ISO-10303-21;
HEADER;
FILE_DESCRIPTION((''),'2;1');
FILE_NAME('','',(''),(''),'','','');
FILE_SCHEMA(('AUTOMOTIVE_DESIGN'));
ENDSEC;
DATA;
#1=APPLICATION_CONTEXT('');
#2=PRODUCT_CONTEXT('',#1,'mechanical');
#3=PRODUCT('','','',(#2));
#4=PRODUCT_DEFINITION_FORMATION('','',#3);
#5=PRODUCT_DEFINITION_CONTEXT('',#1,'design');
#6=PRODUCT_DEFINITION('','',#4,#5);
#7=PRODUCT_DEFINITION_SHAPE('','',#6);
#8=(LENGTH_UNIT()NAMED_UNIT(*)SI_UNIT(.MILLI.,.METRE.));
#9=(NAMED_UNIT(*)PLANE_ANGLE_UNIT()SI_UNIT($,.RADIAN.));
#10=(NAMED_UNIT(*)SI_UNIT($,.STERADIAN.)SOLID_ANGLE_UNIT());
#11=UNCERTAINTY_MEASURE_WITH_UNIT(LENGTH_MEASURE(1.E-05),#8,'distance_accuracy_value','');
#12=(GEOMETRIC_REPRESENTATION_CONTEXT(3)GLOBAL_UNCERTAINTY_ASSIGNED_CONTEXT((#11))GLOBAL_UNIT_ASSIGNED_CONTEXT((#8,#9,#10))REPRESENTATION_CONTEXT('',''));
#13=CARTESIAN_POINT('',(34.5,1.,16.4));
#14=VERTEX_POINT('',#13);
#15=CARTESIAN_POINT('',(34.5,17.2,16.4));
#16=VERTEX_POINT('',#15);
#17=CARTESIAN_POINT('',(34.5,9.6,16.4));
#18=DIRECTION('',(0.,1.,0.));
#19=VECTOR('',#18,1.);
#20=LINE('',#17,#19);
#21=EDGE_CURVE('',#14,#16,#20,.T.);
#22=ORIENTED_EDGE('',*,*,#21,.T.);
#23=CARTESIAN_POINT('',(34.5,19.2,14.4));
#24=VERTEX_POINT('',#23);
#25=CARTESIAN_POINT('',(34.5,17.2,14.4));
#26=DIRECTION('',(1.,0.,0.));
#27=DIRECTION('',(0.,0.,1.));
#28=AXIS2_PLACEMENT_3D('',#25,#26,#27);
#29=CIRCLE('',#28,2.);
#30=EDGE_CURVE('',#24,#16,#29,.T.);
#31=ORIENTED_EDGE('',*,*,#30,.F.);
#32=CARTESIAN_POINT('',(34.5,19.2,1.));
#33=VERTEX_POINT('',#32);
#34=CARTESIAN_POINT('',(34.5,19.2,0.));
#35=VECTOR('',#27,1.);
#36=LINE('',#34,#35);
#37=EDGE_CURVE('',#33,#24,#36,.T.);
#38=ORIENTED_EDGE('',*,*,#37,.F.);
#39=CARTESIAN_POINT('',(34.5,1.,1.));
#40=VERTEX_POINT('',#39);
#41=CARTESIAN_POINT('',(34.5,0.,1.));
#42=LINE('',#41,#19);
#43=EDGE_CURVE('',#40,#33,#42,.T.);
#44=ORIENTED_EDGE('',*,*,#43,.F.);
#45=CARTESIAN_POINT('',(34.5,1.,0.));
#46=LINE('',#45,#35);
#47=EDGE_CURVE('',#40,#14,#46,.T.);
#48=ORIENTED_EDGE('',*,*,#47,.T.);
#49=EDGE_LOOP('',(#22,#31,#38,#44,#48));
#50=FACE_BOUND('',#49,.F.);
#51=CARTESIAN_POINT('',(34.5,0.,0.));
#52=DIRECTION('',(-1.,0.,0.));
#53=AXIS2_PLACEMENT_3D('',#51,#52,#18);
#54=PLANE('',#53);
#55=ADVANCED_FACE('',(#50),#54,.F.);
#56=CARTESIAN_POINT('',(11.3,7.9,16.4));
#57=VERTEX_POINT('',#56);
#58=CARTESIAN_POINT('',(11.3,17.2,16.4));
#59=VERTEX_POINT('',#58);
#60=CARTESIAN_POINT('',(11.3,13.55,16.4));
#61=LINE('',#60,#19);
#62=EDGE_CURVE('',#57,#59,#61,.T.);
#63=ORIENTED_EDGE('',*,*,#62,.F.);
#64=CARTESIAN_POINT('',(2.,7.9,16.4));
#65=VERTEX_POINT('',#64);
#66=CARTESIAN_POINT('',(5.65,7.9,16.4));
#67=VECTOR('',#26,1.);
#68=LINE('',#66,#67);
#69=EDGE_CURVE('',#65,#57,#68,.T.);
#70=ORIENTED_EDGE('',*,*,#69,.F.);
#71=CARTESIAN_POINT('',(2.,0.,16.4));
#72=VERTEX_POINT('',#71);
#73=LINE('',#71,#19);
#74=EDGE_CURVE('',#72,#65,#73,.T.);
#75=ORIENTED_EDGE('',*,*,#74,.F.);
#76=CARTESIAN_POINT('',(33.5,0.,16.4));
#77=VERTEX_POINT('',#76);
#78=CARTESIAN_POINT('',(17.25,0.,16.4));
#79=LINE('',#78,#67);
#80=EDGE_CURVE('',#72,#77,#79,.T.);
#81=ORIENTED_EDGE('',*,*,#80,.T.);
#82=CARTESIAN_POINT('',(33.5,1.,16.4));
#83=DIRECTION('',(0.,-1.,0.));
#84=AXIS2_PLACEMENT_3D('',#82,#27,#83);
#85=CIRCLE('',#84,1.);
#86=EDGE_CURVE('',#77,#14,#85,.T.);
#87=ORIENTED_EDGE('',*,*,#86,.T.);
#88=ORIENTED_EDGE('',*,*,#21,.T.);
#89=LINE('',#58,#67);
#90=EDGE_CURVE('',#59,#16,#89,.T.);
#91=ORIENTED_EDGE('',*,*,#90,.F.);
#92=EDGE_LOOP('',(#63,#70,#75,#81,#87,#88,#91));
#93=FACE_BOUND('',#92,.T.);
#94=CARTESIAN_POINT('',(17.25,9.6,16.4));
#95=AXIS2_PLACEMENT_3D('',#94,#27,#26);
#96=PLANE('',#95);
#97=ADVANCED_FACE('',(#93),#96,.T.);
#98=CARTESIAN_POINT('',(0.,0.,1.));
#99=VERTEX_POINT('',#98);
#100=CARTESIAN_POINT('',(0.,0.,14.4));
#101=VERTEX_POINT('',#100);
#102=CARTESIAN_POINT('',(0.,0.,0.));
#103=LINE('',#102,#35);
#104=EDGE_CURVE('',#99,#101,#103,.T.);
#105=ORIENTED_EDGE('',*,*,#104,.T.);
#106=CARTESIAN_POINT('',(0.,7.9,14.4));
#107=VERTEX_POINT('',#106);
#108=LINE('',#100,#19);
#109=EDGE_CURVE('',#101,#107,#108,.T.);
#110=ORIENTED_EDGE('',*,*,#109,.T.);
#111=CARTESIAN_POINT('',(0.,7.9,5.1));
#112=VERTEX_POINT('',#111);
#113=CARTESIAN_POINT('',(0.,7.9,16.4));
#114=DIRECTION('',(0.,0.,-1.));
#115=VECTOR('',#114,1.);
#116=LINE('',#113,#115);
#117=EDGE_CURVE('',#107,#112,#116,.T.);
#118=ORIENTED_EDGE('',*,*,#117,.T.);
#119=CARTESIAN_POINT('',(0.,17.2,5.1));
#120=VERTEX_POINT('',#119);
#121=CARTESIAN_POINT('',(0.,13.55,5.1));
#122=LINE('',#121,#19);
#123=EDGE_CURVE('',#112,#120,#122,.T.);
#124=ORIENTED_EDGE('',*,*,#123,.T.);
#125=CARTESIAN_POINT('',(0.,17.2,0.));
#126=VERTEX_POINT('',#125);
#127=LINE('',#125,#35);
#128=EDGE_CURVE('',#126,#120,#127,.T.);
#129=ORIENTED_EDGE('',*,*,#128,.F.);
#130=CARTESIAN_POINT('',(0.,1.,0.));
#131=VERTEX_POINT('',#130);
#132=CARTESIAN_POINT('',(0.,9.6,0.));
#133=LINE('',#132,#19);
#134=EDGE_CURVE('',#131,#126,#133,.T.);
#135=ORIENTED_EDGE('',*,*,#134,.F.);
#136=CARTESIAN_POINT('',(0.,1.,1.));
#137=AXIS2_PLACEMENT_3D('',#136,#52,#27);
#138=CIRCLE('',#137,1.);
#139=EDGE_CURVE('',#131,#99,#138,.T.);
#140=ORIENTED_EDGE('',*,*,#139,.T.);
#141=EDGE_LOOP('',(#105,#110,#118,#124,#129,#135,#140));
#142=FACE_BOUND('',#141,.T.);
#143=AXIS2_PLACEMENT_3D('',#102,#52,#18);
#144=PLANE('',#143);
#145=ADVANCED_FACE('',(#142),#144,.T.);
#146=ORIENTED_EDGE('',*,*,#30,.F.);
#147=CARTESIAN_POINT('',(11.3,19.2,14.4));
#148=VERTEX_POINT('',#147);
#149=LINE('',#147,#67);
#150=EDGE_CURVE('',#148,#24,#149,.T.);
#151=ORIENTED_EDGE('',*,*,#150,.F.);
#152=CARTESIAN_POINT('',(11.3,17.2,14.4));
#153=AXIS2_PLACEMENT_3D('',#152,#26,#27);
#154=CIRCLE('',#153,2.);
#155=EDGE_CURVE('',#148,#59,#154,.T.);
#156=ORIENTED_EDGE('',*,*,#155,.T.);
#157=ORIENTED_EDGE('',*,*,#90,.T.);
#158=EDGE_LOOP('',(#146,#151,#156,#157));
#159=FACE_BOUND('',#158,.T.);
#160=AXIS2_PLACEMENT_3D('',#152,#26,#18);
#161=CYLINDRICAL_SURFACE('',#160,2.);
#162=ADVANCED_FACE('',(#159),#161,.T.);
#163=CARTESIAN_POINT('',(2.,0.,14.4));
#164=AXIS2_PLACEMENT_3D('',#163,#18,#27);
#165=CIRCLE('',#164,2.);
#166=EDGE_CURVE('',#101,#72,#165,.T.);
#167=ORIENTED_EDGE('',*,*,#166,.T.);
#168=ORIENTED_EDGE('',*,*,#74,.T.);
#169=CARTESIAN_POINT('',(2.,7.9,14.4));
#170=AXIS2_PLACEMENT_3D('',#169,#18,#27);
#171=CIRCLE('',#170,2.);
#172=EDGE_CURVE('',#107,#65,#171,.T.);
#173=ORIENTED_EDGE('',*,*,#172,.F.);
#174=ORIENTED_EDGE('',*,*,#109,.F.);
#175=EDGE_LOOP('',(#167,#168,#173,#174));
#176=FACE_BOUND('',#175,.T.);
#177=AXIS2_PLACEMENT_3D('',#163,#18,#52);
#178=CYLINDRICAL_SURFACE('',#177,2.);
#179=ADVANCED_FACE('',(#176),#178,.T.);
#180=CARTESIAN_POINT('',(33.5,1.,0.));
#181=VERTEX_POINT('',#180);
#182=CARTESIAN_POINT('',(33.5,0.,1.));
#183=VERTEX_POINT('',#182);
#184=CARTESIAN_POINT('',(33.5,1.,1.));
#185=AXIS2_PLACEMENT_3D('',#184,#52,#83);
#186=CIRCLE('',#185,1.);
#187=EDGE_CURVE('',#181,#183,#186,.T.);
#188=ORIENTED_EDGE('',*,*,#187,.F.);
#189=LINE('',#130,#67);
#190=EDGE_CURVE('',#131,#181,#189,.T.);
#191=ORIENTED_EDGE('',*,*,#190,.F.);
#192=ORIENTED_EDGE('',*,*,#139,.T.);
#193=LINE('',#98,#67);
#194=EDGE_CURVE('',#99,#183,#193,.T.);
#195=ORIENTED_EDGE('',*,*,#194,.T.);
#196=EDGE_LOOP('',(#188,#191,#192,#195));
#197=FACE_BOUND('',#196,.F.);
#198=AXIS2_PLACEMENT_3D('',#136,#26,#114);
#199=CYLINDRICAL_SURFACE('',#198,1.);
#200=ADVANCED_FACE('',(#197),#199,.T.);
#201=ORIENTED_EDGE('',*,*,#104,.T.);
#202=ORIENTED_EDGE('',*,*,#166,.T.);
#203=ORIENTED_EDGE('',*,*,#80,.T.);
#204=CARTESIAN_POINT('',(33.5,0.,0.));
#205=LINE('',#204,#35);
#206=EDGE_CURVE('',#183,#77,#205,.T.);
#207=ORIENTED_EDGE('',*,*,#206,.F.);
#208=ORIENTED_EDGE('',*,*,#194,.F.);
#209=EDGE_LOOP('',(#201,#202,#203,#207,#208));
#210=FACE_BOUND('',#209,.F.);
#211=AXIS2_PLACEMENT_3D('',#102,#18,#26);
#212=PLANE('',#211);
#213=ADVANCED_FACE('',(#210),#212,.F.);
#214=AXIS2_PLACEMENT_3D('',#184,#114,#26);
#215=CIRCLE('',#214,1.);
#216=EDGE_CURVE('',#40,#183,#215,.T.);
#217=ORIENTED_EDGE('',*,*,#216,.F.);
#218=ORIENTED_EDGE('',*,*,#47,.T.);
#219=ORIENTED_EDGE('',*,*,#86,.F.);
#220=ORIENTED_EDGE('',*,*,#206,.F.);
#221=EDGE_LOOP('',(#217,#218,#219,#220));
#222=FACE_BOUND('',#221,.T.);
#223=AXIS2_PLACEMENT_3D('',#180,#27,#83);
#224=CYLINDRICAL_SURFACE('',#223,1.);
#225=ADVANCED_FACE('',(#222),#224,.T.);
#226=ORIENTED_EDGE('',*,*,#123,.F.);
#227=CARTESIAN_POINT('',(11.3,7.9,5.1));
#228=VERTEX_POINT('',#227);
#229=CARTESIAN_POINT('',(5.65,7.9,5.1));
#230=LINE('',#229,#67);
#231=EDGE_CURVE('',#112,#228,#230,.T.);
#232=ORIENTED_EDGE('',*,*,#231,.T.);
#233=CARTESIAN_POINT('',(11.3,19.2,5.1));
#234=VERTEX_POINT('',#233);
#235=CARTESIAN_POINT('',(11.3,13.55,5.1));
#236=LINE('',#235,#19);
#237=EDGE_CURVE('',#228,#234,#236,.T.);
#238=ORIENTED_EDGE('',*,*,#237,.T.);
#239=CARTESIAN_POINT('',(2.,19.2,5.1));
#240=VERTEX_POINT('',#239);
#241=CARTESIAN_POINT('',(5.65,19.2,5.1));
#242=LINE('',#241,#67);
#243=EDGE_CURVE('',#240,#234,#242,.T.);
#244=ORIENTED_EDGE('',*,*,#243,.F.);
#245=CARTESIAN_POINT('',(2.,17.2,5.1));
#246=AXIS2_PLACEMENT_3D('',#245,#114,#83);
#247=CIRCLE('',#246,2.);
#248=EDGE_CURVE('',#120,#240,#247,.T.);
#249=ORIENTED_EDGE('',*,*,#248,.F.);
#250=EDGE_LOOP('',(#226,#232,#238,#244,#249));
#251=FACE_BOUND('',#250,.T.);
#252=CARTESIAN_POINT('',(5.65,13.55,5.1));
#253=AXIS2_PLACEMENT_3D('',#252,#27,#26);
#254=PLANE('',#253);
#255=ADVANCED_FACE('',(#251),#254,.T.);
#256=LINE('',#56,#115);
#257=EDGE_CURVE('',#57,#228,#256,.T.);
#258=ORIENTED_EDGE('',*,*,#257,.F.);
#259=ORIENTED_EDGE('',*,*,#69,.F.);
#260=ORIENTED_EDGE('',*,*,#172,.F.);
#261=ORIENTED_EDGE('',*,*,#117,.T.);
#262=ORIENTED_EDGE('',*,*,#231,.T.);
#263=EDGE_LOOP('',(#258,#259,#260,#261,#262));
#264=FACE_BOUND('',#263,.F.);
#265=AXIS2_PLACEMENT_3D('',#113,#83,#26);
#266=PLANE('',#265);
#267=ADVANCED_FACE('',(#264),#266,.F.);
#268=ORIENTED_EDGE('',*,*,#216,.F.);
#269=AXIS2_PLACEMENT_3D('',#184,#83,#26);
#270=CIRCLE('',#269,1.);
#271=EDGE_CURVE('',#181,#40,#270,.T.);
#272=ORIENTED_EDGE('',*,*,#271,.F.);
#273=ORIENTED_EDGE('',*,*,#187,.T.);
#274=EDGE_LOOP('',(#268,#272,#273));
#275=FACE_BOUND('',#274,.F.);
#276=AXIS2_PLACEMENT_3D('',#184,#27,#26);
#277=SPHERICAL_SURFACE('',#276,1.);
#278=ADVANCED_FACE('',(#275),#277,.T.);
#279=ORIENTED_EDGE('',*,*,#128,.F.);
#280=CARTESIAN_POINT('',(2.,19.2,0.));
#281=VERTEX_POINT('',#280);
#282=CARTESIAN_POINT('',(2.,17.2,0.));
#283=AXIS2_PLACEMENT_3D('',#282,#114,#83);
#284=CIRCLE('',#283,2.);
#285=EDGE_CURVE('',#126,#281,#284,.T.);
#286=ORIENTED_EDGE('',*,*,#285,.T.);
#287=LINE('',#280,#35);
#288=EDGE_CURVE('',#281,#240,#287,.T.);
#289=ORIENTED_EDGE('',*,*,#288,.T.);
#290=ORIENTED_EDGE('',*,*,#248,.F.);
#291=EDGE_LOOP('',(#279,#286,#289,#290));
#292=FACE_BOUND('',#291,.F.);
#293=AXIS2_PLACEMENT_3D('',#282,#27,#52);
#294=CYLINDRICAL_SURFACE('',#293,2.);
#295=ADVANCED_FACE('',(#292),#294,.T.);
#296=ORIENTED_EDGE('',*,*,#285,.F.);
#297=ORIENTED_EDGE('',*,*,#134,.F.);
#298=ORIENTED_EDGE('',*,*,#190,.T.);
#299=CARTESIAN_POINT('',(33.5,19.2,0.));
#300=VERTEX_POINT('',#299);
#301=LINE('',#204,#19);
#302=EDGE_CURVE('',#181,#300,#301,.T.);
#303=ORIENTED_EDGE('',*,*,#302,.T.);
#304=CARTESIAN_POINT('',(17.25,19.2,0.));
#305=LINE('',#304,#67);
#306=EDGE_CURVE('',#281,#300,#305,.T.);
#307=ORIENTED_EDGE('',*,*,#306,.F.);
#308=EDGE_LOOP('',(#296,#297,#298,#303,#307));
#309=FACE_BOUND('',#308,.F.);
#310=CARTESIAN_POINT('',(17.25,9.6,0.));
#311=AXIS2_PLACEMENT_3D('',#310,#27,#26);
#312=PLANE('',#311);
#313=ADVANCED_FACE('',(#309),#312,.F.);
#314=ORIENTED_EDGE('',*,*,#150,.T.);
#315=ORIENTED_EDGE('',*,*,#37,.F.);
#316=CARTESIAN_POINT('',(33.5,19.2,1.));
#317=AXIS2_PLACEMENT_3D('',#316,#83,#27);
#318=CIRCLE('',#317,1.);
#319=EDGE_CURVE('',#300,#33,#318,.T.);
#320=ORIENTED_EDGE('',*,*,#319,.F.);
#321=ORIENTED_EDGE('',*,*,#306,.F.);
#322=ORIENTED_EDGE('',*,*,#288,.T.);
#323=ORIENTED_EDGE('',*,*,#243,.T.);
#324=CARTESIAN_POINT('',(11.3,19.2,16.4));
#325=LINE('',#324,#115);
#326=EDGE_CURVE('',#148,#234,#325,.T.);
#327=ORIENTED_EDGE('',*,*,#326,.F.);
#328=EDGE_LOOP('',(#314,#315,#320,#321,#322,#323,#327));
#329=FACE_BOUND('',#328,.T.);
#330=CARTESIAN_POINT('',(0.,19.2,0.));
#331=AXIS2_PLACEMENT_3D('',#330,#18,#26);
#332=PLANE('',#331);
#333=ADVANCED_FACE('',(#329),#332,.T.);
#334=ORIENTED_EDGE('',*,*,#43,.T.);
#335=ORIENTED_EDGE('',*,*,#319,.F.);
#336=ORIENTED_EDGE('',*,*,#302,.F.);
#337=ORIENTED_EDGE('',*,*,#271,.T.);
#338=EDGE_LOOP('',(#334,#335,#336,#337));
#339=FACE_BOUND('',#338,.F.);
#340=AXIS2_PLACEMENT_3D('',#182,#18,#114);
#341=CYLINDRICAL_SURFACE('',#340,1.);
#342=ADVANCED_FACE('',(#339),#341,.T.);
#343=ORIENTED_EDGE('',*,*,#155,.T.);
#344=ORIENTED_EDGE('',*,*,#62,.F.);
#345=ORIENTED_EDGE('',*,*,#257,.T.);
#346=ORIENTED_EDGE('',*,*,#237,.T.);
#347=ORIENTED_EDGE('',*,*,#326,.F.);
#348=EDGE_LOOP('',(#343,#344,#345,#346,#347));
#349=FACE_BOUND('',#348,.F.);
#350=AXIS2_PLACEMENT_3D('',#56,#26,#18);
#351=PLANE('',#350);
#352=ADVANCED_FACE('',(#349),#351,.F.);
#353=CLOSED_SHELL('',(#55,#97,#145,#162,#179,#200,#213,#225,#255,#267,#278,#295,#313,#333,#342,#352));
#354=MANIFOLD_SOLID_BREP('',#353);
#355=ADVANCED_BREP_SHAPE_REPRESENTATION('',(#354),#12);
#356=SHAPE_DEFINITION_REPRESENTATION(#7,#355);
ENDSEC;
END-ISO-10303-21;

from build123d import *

# Parameters (mm, degrees)
F0_W     = 34.5
F0_H     = 19.2
F1_DEPTH = 16.4
F2_W     = 11.3
F2_H     = 11.3
F3_DEPTH = 11.3
F4_R     = 1
F5_R     = 2


with BuildPart() as f1:
    # F0 (on Top) → F1 (new body)
    with BuildSketch(Plane.XY):
        with Locations((17.25, 9.6)):
            Rectangle(F0_W, F0_H)
    extrude(amount=F1_DEPTH)

    # F2 (on face) → F3 (cut)
    with BuildSketch(Plane.XY.offset(16.4)):
        with Locations((5.65, 13.55)):
            Rectangle(F2_W, F2_H)
    extrude(amount=-F3_DEPTH, mode=Mode.SUBTRACT)

    # F4
    f4_edges = [f1.edges().sort_by_distance(p)[0] for p in [
        (34.5, 0, 8.2),
        (34.5, 9.6, 0),
        (17.25, 0, 0),
    ]]
    fillet(f4_edges, radius=F4_R)

    # F5
    f5_edges = [f1.edges().sort_by_distance(p)[0] for p in [
        (0, 19.2, 2.55),
        (0, 3.95, 16.4),
        (22.9, 19.2, 16.4),
    ]]
    fillet(f5_edges, radius=F5_R)


solid = f1.part
